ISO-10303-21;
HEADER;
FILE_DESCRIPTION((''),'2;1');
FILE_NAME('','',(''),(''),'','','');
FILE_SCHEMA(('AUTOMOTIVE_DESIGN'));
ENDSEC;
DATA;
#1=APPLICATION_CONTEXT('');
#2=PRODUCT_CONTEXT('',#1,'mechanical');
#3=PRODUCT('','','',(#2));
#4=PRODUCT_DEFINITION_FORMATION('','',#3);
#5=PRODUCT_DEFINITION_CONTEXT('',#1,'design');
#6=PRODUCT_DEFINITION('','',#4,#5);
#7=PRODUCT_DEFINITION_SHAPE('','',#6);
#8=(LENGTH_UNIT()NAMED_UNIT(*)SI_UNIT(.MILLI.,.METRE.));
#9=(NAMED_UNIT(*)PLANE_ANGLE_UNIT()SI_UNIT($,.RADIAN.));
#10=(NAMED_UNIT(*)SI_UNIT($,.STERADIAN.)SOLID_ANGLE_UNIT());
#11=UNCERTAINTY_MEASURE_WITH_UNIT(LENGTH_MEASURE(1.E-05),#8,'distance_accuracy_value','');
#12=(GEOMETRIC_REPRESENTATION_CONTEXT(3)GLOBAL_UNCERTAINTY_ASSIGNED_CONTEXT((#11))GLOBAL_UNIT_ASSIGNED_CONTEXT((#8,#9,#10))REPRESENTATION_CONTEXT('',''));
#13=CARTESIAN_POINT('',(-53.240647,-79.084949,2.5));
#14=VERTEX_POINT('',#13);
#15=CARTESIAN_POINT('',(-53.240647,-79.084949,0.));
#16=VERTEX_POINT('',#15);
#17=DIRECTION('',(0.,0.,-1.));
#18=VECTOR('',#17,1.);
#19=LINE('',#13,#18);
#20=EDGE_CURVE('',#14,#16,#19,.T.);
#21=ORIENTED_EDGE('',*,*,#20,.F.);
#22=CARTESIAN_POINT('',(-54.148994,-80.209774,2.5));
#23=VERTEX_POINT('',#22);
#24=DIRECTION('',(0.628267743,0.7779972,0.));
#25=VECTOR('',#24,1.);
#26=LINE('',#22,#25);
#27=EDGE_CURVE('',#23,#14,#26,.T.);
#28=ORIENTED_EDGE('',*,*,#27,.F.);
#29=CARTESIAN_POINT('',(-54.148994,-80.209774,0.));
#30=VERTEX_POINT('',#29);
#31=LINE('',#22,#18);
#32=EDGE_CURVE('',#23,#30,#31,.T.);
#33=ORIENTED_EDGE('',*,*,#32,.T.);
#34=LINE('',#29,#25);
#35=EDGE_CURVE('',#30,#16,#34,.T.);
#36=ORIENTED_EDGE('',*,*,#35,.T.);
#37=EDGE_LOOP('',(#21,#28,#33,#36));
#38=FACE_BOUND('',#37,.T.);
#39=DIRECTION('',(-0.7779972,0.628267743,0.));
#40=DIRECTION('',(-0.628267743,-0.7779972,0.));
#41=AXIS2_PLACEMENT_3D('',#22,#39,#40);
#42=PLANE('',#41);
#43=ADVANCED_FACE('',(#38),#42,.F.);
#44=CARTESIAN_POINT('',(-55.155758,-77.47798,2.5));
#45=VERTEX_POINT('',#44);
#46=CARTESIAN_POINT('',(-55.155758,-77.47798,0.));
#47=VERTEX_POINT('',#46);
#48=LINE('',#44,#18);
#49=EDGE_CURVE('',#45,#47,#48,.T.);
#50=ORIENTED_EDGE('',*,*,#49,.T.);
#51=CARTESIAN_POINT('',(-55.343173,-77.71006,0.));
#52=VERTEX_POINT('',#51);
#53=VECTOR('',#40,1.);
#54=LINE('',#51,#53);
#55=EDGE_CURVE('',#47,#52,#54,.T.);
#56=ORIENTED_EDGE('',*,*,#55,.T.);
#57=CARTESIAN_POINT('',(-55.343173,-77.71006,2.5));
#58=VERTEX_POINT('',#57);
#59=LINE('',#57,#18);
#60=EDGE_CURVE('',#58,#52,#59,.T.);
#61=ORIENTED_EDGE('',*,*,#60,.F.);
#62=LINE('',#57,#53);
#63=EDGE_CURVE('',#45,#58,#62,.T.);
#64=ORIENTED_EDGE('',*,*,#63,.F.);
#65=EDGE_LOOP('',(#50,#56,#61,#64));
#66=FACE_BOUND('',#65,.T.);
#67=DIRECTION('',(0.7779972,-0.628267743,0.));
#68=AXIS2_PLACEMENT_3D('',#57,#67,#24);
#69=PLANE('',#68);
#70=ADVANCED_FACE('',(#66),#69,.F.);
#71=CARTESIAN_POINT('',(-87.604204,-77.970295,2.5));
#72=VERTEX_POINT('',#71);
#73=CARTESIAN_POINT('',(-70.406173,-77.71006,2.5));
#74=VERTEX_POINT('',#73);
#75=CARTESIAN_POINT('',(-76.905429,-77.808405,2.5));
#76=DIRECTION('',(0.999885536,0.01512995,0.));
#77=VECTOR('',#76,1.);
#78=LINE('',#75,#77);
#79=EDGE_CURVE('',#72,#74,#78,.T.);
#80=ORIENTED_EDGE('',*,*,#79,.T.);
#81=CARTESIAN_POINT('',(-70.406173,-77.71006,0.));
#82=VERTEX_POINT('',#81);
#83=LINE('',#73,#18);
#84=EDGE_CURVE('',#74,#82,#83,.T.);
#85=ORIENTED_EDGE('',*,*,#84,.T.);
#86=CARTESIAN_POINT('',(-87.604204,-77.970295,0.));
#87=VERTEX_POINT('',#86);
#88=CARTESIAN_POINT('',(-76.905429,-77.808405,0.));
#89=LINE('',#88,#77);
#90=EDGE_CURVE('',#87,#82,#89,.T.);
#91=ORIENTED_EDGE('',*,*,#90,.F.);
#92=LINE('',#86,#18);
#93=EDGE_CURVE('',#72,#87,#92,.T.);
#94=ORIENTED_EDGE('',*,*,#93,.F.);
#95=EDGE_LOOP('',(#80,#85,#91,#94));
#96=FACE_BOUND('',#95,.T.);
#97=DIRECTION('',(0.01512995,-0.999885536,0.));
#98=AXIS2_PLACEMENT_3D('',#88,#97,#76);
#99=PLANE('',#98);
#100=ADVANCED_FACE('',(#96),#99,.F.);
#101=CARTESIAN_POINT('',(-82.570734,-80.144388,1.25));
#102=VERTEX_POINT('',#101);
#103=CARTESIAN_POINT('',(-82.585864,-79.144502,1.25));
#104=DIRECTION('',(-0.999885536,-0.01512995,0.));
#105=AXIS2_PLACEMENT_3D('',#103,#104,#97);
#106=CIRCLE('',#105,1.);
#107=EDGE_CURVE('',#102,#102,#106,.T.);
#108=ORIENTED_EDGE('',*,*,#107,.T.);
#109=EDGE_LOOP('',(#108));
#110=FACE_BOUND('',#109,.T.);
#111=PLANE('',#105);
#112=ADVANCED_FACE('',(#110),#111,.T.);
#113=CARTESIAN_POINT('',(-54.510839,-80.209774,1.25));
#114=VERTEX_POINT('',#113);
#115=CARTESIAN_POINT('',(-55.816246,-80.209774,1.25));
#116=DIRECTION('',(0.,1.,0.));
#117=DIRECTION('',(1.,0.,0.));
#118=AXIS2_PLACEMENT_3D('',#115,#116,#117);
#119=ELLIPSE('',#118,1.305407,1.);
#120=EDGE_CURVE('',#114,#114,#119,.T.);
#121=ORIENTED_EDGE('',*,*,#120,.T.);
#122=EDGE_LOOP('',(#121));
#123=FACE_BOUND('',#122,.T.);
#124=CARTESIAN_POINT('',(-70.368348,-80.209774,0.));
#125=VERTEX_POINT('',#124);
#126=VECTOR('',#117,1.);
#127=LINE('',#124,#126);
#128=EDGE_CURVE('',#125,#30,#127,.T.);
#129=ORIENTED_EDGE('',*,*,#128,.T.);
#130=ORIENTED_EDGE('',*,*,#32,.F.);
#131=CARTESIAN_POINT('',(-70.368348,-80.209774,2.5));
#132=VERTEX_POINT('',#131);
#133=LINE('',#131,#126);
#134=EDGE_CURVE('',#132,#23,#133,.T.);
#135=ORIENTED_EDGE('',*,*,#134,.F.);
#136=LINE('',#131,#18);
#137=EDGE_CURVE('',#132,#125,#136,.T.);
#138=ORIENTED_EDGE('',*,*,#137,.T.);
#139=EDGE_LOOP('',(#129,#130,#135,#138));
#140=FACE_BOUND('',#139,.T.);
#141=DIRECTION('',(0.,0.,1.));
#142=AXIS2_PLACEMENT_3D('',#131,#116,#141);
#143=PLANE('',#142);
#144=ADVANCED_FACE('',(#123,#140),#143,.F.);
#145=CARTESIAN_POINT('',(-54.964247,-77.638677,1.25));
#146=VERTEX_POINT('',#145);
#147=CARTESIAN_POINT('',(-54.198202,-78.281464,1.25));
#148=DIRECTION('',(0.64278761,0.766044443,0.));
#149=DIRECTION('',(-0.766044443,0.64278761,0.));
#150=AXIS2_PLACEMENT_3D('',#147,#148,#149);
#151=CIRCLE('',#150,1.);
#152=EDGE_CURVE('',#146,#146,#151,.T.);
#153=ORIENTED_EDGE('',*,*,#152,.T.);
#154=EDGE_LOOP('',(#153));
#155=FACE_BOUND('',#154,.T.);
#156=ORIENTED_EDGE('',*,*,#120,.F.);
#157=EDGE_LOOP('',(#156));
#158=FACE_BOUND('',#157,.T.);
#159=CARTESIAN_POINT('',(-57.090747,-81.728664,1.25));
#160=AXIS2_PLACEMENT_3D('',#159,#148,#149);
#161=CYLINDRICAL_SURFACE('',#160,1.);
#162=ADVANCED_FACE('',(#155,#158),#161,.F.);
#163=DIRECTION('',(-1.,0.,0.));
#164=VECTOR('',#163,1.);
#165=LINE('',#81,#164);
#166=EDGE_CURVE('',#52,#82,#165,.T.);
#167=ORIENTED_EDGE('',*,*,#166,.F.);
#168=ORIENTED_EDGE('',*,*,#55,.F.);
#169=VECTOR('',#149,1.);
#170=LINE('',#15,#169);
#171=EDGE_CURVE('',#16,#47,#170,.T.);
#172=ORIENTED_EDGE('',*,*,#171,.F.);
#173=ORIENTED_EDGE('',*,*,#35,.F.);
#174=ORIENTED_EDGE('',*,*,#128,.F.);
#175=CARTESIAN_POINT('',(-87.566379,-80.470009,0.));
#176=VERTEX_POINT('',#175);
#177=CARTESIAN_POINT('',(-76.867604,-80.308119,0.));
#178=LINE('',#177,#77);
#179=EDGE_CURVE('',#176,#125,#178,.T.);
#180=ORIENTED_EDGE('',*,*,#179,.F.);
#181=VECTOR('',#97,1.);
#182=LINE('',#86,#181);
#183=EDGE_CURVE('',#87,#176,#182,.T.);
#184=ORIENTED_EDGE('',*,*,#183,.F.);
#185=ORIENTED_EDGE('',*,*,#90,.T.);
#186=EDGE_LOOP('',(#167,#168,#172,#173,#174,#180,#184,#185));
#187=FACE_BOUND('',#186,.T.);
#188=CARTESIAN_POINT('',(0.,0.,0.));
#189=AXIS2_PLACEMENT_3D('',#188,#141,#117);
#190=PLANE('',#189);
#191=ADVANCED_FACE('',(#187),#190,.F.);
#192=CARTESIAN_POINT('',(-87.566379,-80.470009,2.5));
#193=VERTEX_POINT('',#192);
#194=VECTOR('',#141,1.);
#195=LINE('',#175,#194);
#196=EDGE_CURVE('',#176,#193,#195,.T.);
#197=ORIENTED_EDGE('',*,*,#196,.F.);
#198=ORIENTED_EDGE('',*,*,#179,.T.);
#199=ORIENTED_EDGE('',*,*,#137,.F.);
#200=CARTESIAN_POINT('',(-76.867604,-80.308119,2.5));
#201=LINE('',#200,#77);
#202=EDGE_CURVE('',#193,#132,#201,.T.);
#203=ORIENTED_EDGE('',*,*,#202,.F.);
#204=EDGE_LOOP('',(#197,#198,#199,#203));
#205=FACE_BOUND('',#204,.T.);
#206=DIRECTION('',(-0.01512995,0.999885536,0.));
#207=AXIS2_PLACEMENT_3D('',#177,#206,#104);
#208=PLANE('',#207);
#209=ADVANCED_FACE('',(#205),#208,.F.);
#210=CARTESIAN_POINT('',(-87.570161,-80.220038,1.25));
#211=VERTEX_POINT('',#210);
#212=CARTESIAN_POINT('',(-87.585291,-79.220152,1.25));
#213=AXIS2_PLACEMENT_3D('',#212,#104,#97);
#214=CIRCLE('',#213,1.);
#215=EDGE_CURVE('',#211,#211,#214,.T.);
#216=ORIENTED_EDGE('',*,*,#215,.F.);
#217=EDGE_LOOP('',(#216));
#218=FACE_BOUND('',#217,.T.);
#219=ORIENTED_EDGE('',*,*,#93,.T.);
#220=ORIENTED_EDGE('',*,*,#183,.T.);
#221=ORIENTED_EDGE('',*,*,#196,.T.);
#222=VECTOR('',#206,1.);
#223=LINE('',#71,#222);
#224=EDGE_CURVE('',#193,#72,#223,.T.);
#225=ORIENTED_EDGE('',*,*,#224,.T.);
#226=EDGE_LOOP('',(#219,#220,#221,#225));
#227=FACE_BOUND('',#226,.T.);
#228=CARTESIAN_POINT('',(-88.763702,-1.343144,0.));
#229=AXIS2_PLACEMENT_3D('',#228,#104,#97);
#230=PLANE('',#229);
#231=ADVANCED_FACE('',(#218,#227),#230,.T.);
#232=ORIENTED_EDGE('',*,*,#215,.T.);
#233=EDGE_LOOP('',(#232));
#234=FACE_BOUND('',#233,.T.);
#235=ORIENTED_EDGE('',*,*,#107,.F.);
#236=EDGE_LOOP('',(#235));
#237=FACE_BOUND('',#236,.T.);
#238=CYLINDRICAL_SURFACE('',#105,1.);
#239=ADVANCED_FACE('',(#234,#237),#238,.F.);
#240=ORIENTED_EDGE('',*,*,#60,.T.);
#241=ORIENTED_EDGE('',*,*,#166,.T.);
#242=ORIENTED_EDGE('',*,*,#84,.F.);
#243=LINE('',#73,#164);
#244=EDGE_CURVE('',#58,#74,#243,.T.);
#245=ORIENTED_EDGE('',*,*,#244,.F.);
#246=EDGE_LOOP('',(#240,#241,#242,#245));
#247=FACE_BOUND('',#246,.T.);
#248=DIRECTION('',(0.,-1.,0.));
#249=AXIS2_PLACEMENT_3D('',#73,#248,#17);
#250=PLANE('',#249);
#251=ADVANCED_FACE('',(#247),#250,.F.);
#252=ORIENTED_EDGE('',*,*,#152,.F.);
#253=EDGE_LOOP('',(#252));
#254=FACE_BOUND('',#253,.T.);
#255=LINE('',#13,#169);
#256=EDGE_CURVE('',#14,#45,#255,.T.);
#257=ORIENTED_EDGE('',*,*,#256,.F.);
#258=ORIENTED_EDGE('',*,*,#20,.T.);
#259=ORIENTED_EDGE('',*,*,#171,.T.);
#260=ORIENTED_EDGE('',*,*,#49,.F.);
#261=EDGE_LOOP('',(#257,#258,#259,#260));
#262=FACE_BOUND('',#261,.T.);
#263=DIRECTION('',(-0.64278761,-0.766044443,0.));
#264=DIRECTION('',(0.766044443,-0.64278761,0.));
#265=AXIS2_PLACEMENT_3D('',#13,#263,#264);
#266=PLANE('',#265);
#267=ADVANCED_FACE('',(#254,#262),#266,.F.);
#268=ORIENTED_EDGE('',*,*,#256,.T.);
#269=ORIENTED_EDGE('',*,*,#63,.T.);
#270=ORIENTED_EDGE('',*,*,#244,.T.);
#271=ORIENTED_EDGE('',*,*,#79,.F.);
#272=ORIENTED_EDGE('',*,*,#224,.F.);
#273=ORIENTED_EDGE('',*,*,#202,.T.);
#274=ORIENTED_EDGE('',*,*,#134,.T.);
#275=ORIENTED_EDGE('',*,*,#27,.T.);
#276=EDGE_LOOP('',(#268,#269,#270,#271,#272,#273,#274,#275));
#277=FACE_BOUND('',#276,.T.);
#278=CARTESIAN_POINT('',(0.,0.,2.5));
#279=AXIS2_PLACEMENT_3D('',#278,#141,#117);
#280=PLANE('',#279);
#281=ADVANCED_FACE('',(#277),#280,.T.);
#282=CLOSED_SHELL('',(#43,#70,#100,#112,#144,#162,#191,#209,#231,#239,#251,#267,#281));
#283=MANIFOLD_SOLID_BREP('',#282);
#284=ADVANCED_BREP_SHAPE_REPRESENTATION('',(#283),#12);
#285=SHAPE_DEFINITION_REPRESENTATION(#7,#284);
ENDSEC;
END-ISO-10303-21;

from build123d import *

# Parameters (mm, degrees)
BOSS_EXTRUDE1_DEPTH = 2.5
SKETCH2_R           = 1
CUT_EXTRUDE1_DEPTH  = 4.5
SKETCH3_R           = 1
CUT_EXTRUDE2_DEPTH  = 9.5
SKETCH5_R           = 1
BOSS_EXTRUDE2_DEPTH = 9.5
SKETCH7_W           = 2.5
SKETCH7_H           = 2.48697386
BOSS_EXTRUDE5_DEPTH = 17
SKETCH8_R           = 1
CUT_EXTRUDE3_DEPTH  = 9.5
SKETCH9_W           = 2.5
SKETCH9_H           = 2.510853282
CUT_EXTRUDE4_DEPTH  = 10.5
SKETCH10_R          = 1
CUT_EXTRUDE5_DEPTH  = 4.5
SKETCH11_R          = 1
BOSS_EXTRUDE6_DEPTH = 4.5
SKETCH12_R          = 1
CUT_EXTRUDE6_DEPTH  = 4
SKETCH13_W          = 2.5
SKETCH13_H          = 2.5
CUT_EXTRUDE7_DEPTH  = 6.5
SKETCH14_W          = 2.5
SKETCH14_H          = 2.5
BOSS_EXTRUDE7_DEPTH = 6.5
SKETCH15_R          = 1
CUT_EXTRUDE8_DEPTH  = 5
SKETCH16_R          = 1
BOSS_EXTRUDE8_DEPTH = 5
SKETCH17_W          = 2.5
SKETCH17_H          = 2.5
BOSS_EXTRUDE9_DEPTH = 17
SKETCH18_R          = 1
CUT_EXTRUDE9_DEPTH  = 5
SKETCH19_W          = 2.5
SKETCH19_H          = 2.5
CUT_EXTRUDE10_DEPTH = 6.3
SKETCH20_R          = 1
CUT_EXTRUDE11_DEPTH = 5


with BuildPart() as part:
    # Sketch1 → Boss-Extrude1 (new body)
    with BuildSketch(Plane.XY):
        Polygon((-70.406172668, -77.710060133), (-55.343173361, -77.710060133), (-55.155758053, -77.477979804), (-53.240646945, -79.084948828), (-54.148993857, -80.209773972), (-70.368347793, -80.209773972), align=None)
    extrude(amount=BOSS_EXTRUDE1_DEPTH)

    # Sketch2 → Cut-Extrude1 (cut)
    with BuildSketch(Plane(origin=(-60.939488189, -72.62485398, 0), x_dir=(0, 0, -1), z_dir=(0.6427876096865354, 0.7660444431189815, 0))):
        with Locations(Location((-1.25, -8.800123479, 0), (0, 0, 90))):
            Circle(SKETCH2_R)
    extrude(amount=-CUT_EXTRUDE1_DEPTH, mode=Mode.SUBTRACT)

    # Sketch3 → Cut-Extrude2 (cut)
    with BuildSketch(Plane(origin=(-71.565670343, -1.082908957, 0), x_dir=(0, 0, 1), z_dir=(-0.9998855357578962, -0.015129949839474955, 0))):
        with Locations(Location((1.25, -77.885923249, 0), (0, 0, 270))):
            Circle(SKETCH3_R)
    extrude(amount=-CUT_EXTRUDE2_DEPTH, mode=Mode.SUBTRACT)

    # Sketch5 → Boss-Extrude2 (add)
    with BuildSketch(Plane(origin=(-71.565670343, -1.082908957, 0), x_dir=(0, 0, 1), z_dir=(-0.9998855357578961, -0.015129949839476386, 0))):
        with Locations((1.25, -77.885923249)):
            Circle(SKETCH5_R)
    extrude(amount=-BOSS_EXTRUDE2_DEPTH)

    # Sketch7 → Boss-Extrude5 (add)
    with BuildSketch(Plane(origin=(-71.565670343, -1.082908957, 0), x_dir=(0, 0, 1), z_dir=(-0.9998855357578961, -0.015129949839476386, 0))):
        with Locations((1.25, -77.879410179)):
            Rectangle(SKETCH7_W, SKETCH7_H)
    extrude(amount=BOSS_EXTRUDE5_DEPTH)

    # Sketch8 → Cut-Extrude3 (cut)
    with BuildSketch(Plane(origin=(-88.56372445, -1.340118104, 0), x_dir=(0, 0, 1), z_dir=(-0.9998855357578962, -0.015129949839480206, 0))):
        with Locations(Location((1.25, -77.885923249, 0), (0, 0, 270))):
            Circle(SKETCH8_R)
    extrude(amount=-CUT_EXTRUDE3_DEPTH, mode=Mode.SUBTRACT)

    # Sketch9 → Cut-Extrude4 (cut)
    with BuildSketch(Plane(origin=(-88.56372445, -1.340118104, 0), x_dir=(0, 0, 1), z_dir=(-0.9998855357578962, -0.015129949839480206, 0))):
        with Locations((1.25, -77.89134989)):
            Rectangle(SKETCH9_W, SKETCH9_H)
    extrude(amount=-CUT_EXTRUDE4_DEPTH, mode=Mode.SUBTRACT)

    # Sketch10 → Cut-Extrude5 (cut)
    with BuildSketch(Plane(origin=(-78.064926325, -1.181253631, 0), x_dir=(0, 0, 1), z_dir=(-0.9998855357578961, -0.015129949839478678, 0))):
        with Locations(Location((1.25, -77.885923249, 0), (0, 0, 270))):
            Circle(SKETCH10_R)
    extrude(amount=-CUT_EXTRUDE5_DEPTH, mode=Mode.SUBTRACT)

    # Sketch11 → Boss-Extrude6 (add)
    with BuildSketch(Plane(origin=(-78.064926325, -1.181253631, 0), x_dir=(0, 0, 1), z_dir=(-0.9998855357578961, -0.015129949839478678, 0))):
        with Locations((1.25, -77.885923249)):
            Circle(SKETCH11_R)
    extrude(amount=-BOSS_EXTRUDE6_DEPTH)

    # Sketch12 → Cut-Extrude6 (cut)
    with BuildSketch(Plane(origin=(-78.064926325, -1.181253631, 0), x_dir=(0, 0, 1), z_dir=(-0.9998855357578961, -0.015129949839478678, 0))):
        with Locations(Location((1.25, -77.885923249, 0), (0, 0, 270))):
            Circle(SKETCH12_R)
    extrude(amount=-CUT_EXTRUDE6_DEPTH, mode=Mode.SUBTRACT)

    # Sketch13 → Cut-Extrude7 (cut)
    with BuildSketch(Plane(origin=(-78.064926325, -1.181253631, 0), x_dir=(0, 0, 1), z_dir=(-0.9998855357578961, -0.015129949839478678, 0))):
        with Locations((1.25, -77.885923249)):
            Rectangle(SKETCH13_W, SKETCH13_H)
    extrude(amount=-CUT_EXTRUDE7_DEPTH, mode=Mode.SUBTRACT)

    # Sketch14 → Boss-Extrude7 (add)
    with BuildSketch(Plane(origin=(-71.565670343, -1.082908957, 0), x_dir=(0, 0, 1), z_dir=(-0.9998855357578961, -0.015129949839476386, 0))):
        with Locations((1.25, -77.885923249)):
            Rectangle(SKETCH14_W, SKETCH14_H)
    extrude(amount=BOSS_EXTRUDE7_DEPTH)

    # Sketch15 → Cut-Extrude8 (cut)
    with BuildSketch(Plane(origin=(-78.064926325, -1.181253631, 0), x_dir=(0, 0, 1), z_dir=(-0.9998855357578961, -0.01512994983947622, 0))):
        with Locations(Location((1.25, -77.885923249, 0), (0, 0, 270))):
            Circle(SKETCH15_R)
    extrude(amount=-CUT_EXTRUDE8_DEPTH, mode=Mode.SUBTRACT)

    # Sketch16 → Boss-Extrude8 (add)
    with BuildSketch(Plane(origin=(-78.064926325, -1.181253631, 0), x_dir=(0, 0, 1), z_dir=(-0.9998855357578961, -0.01512994983947622, 0))):
        with Locations((1.25, -77.885923249)):
            Circle(SKETCH16_R)
    extrude(amount=-BOSS_EXTRUDE8_DEPTH)

    # Sketch17 → Boss-Extrude9 (add)
    with BuildSketch(Plane(origin=(-78.064926325, -1.181253631, 0), x_dir=(0, 0, 1), z_dir=(-0.9998855357578961, -0.01512994983947622, 0))):
        with Locations((1.25, -77.885923249)):
            Rectangle(SKETCH17_W, SKETCH17_H)
    extrude(amount=BOSS_EXTRUDE9_DEPTH)

    # Sketch18 → Cut-Extrude9 (cut)
    with BuildSketch(Plane(origin=(-95.062980433, -1.438462778, 0), x_dir=(0, 0, 1), z_dir=(-0.9998855357578961, -0.01512994983947622, 0))):
        with Locations(Location((1.25, -77.885923249, 0), (0, 0, 270))):
            Circle(SKETCH18_R)
    extrude(amount=-CUT_EXTRUDE9_DEPTH, mode=Mode.SUBTRACT)

    # Sketch19 → Cut-Extrude10 (cut)
    with BuildSketch(Plane(origin=(-95.062980433, -1.438462778, 0), x_dir=(0, 0, 1), z_dir=(-0.9998855357578961, -0.01512994983947622, 0))):
        with Locations((1.25, -77.885923249)):
            Rectangle(SKETCH19_W, SKETCH19_H)
    extrude(amount=-CUT_EXTRUDE10_DEPTH, mode=Mode.SUBTRACT)

    # Sketch20 → Cut-Extrude11 (cut)
    with BuildSketch(Plane(origin=(-88.763701558, -1.343144094, 0), x_dir=(0, 0, 1), z_dir=(-0.9998855357578961, -0.015129949839476473, 0))):
        with Locations(Location((1.25, -77.885923249, 0), (0, 0, 270))):
            Circle(SKETCH20_R)
    extrude(amount=-CUT_EXTRUDE11_DEPTH, mode=Mode.SUBTRACT)


solid = part.part
